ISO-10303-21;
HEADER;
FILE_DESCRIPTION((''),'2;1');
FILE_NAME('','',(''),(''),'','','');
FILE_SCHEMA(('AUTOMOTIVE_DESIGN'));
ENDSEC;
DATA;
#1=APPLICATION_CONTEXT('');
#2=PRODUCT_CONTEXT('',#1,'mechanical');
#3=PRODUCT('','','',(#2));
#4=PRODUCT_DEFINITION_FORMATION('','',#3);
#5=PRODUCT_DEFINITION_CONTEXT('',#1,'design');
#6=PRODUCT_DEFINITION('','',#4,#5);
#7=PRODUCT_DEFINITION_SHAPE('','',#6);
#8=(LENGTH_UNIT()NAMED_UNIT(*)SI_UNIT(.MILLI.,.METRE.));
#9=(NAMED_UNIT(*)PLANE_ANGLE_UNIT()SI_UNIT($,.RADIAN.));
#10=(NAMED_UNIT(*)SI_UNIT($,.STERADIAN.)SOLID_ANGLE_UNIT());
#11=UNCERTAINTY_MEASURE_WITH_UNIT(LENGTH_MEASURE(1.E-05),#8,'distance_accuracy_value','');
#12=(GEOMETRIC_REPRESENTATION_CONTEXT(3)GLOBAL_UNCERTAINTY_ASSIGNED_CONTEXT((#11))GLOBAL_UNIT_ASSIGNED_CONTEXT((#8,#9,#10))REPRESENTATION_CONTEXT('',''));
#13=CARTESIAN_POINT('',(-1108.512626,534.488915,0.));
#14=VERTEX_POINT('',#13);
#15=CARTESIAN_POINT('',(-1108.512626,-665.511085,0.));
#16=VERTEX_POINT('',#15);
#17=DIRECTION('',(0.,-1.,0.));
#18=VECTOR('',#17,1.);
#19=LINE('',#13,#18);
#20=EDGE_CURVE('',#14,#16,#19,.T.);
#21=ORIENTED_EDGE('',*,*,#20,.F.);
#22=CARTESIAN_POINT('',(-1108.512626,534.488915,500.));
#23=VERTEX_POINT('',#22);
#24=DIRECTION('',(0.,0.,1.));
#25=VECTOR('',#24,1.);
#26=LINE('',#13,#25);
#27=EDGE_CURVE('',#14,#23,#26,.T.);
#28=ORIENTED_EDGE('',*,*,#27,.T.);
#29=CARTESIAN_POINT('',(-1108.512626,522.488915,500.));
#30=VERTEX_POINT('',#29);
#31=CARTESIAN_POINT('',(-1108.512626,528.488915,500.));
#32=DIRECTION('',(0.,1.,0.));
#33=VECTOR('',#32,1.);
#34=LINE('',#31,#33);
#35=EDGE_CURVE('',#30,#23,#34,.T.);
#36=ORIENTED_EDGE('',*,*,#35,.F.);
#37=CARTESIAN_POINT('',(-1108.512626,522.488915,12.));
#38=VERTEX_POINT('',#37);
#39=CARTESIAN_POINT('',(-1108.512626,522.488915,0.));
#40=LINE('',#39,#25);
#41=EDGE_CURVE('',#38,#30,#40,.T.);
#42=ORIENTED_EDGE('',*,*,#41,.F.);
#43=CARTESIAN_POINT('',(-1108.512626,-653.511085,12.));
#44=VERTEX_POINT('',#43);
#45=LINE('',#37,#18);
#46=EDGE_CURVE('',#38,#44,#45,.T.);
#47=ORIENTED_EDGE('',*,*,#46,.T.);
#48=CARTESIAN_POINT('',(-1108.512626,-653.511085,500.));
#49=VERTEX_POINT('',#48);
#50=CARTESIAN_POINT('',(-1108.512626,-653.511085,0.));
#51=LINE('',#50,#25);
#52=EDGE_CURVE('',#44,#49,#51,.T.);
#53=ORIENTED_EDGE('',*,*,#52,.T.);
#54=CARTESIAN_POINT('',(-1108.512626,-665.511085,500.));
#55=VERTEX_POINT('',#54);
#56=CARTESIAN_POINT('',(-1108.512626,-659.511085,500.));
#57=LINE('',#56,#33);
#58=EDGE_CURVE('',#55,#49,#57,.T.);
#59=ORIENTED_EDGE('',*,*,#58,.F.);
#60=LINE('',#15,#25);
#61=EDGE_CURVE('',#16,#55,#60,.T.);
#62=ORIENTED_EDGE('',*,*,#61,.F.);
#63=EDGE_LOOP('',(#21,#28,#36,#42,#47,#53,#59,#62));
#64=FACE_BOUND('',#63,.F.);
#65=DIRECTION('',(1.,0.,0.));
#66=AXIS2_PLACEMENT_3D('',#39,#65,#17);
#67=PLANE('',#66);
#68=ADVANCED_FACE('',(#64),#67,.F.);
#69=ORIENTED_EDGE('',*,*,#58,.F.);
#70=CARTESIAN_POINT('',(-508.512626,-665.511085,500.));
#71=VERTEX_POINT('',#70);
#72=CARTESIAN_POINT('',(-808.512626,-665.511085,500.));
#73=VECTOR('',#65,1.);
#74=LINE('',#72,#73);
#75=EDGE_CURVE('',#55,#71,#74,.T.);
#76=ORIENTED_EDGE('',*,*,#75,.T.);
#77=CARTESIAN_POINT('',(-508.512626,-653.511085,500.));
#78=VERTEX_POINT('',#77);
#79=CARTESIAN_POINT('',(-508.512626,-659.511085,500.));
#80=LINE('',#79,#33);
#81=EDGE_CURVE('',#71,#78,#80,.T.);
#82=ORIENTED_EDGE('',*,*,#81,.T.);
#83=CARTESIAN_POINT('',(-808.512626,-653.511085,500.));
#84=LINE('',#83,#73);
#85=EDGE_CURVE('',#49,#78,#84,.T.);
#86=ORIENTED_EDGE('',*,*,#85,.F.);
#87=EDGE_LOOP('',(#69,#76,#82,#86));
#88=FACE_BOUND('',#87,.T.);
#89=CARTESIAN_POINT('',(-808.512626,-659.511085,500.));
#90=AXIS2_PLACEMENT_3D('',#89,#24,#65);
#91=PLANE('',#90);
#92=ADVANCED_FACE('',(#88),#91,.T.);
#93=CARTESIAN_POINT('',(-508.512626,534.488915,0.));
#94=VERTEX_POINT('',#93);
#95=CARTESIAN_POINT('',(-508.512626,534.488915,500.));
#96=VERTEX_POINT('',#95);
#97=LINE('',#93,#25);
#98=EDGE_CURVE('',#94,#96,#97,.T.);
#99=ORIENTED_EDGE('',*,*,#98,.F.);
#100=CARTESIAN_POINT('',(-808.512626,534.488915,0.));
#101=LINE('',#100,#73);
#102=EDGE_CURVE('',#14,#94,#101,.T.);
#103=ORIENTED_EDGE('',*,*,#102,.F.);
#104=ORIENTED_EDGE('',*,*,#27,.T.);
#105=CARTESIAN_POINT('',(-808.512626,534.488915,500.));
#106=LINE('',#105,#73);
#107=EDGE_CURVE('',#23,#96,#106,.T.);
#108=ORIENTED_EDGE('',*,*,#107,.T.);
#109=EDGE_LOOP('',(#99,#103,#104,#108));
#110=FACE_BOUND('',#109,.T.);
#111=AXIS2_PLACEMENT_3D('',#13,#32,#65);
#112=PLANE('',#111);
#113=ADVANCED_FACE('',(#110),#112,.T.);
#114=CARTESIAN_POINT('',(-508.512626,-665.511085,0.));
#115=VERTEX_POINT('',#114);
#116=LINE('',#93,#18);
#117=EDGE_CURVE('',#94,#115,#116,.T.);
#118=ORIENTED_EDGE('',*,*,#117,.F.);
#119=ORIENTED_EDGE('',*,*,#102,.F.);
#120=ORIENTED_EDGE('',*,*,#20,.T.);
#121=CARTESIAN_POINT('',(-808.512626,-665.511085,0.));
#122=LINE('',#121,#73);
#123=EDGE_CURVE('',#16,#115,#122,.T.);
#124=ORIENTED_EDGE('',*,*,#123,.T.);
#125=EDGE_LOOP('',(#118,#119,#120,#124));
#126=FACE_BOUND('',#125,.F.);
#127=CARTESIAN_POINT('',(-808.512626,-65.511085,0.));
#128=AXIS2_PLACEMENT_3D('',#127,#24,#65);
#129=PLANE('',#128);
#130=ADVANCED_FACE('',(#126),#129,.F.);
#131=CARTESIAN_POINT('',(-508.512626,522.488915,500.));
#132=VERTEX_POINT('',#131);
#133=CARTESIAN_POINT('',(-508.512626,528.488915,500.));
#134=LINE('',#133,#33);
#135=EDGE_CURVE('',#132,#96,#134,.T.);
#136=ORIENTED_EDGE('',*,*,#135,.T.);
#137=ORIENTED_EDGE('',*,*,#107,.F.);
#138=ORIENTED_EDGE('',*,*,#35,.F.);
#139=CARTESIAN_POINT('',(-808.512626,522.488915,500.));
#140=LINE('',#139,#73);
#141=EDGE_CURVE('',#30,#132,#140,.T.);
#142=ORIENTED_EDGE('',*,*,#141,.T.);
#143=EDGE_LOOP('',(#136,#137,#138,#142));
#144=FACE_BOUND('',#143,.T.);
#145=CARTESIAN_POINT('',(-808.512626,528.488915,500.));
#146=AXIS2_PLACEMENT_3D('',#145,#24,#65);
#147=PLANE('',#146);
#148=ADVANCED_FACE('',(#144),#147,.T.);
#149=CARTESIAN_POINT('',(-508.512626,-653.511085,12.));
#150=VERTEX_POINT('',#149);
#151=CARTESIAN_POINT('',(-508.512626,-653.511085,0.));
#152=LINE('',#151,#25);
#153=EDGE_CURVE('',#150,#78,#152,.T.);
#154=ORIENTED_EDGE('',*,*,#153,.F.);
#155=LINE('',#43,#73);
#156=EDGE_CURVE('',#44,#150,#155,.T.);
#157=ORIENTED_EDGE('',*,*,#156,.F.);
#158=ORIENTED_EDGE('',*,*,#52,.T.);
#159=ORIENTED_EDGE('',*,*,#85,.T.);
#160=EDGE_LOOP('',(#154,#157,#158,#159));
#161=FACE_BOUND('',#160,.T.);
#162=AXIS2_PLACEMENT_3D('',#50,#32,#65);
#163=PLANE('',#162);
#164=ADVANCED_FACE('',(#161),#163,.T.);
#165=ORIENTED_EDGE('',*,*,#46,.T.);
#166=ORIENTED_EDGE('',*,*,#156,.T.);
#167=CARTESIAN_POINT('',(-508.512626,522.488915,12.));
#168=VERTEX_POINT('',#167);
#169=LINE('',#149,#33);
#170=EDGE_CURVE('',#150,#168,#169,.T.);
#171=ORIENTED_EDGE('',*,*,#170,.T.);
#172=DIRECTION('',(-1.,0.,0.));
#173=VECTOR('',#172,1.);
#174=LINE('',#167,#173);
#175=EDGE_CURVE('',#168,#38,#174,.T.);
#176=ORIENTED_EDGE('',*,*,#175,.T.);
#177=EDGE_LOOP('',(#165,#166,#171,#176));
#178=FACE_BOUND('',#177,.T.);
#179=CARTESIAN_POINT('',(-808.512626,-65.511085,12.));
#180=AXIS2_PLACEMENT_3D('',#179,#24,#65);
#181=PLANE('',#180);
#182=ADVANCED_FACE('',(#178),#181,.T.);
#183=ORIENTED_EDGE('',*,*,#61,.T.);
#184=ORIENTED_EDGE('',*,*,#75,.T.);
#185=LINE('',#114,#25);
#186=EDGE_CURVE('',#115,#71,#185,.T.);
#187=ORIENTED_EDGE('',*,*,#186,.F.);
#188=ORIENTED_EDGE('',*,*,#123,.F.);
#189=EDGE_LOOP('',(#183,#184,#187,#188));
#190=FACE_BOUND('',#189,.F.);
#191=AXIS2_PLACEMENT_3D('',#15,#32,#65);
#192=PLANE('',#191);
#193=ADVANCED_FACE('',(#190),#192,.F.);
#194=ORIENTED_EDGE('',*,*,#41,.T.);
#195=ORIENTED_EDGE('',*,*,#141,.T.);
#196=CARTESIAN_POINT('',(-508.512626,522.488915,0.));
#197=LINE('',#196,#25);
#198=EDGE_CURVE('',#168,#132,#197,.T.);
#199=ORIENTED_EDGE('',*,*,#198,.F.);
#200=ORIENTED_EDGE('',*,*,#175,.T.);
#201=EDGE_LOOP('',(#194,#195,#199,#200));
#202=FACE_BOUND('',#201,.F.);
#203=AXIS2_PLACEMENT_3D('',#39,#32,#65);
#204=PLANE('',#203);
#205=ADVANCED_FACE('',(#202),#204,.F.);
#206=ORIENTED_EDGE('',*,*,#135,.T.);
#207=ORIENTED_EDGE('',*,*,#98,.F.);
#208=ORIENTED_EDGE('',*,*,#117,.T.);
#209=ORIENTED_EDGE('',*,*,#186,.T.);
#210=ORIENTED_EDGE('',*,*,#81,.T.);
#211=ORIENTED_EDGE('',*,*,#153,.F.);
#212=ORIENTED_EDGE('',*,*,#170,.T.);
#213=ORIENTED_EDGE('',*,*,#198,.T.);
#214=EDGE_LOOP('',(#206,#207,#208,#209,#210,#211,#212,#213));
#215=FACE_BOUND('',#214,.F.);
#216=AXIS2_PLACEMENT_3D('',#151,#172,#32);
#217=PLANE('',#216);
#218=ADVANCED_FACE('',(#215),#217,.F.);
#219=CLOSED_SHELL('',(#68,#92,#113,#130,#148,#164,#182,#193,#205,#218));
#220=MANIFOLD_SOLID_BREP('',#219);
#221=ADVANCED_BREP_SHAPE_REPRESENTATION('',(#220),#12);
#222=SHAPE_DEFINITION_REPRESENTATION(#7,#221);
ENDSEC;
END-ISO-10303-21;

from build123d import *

# Parameters (mm, degrees)
F0_W     = 600
F0_H     = 12
F1_DEPTH = 500
F2_DEPTH = 12


with BuildPart() as f1:
    # F0 (on Top) → F1 (new body)
    with BuildSketch(Plane.XY):
        with Locations((-808.5126264931, 528.488914907)):
            Rectangle(F0_W, F0_H)
    extrude(amount=F1_DEPTH)



with BuildPart() as f1b:
    # F0 (on Top) → F1, piece 2 (new body)
    with BuildSketch(Plane.XY):
        with Locations((-808.5126264931, -659.511085093)):
            Rectangle(F0_W, F0_H)
    extrude(amount=F1_DEPTH)


with BuildPart() as f1_1:
    add(f1.part)

    add(f1b.part)  # F2 merges F1b
    # F0 (on Top) → F2 (join)
    with BuildSketch(Plane.XY):
        Polygon((-508.5126264931, 522.488914907), (-1108.5126264931, 522.488914907), (-1108.5126264931, -653.511085093), (-508.5126264931, -653.511085093), (-508.5126264931, -609.109044075), align=None)
    extrude(amount=F2_DEPTH)


solid = f1_1.part
